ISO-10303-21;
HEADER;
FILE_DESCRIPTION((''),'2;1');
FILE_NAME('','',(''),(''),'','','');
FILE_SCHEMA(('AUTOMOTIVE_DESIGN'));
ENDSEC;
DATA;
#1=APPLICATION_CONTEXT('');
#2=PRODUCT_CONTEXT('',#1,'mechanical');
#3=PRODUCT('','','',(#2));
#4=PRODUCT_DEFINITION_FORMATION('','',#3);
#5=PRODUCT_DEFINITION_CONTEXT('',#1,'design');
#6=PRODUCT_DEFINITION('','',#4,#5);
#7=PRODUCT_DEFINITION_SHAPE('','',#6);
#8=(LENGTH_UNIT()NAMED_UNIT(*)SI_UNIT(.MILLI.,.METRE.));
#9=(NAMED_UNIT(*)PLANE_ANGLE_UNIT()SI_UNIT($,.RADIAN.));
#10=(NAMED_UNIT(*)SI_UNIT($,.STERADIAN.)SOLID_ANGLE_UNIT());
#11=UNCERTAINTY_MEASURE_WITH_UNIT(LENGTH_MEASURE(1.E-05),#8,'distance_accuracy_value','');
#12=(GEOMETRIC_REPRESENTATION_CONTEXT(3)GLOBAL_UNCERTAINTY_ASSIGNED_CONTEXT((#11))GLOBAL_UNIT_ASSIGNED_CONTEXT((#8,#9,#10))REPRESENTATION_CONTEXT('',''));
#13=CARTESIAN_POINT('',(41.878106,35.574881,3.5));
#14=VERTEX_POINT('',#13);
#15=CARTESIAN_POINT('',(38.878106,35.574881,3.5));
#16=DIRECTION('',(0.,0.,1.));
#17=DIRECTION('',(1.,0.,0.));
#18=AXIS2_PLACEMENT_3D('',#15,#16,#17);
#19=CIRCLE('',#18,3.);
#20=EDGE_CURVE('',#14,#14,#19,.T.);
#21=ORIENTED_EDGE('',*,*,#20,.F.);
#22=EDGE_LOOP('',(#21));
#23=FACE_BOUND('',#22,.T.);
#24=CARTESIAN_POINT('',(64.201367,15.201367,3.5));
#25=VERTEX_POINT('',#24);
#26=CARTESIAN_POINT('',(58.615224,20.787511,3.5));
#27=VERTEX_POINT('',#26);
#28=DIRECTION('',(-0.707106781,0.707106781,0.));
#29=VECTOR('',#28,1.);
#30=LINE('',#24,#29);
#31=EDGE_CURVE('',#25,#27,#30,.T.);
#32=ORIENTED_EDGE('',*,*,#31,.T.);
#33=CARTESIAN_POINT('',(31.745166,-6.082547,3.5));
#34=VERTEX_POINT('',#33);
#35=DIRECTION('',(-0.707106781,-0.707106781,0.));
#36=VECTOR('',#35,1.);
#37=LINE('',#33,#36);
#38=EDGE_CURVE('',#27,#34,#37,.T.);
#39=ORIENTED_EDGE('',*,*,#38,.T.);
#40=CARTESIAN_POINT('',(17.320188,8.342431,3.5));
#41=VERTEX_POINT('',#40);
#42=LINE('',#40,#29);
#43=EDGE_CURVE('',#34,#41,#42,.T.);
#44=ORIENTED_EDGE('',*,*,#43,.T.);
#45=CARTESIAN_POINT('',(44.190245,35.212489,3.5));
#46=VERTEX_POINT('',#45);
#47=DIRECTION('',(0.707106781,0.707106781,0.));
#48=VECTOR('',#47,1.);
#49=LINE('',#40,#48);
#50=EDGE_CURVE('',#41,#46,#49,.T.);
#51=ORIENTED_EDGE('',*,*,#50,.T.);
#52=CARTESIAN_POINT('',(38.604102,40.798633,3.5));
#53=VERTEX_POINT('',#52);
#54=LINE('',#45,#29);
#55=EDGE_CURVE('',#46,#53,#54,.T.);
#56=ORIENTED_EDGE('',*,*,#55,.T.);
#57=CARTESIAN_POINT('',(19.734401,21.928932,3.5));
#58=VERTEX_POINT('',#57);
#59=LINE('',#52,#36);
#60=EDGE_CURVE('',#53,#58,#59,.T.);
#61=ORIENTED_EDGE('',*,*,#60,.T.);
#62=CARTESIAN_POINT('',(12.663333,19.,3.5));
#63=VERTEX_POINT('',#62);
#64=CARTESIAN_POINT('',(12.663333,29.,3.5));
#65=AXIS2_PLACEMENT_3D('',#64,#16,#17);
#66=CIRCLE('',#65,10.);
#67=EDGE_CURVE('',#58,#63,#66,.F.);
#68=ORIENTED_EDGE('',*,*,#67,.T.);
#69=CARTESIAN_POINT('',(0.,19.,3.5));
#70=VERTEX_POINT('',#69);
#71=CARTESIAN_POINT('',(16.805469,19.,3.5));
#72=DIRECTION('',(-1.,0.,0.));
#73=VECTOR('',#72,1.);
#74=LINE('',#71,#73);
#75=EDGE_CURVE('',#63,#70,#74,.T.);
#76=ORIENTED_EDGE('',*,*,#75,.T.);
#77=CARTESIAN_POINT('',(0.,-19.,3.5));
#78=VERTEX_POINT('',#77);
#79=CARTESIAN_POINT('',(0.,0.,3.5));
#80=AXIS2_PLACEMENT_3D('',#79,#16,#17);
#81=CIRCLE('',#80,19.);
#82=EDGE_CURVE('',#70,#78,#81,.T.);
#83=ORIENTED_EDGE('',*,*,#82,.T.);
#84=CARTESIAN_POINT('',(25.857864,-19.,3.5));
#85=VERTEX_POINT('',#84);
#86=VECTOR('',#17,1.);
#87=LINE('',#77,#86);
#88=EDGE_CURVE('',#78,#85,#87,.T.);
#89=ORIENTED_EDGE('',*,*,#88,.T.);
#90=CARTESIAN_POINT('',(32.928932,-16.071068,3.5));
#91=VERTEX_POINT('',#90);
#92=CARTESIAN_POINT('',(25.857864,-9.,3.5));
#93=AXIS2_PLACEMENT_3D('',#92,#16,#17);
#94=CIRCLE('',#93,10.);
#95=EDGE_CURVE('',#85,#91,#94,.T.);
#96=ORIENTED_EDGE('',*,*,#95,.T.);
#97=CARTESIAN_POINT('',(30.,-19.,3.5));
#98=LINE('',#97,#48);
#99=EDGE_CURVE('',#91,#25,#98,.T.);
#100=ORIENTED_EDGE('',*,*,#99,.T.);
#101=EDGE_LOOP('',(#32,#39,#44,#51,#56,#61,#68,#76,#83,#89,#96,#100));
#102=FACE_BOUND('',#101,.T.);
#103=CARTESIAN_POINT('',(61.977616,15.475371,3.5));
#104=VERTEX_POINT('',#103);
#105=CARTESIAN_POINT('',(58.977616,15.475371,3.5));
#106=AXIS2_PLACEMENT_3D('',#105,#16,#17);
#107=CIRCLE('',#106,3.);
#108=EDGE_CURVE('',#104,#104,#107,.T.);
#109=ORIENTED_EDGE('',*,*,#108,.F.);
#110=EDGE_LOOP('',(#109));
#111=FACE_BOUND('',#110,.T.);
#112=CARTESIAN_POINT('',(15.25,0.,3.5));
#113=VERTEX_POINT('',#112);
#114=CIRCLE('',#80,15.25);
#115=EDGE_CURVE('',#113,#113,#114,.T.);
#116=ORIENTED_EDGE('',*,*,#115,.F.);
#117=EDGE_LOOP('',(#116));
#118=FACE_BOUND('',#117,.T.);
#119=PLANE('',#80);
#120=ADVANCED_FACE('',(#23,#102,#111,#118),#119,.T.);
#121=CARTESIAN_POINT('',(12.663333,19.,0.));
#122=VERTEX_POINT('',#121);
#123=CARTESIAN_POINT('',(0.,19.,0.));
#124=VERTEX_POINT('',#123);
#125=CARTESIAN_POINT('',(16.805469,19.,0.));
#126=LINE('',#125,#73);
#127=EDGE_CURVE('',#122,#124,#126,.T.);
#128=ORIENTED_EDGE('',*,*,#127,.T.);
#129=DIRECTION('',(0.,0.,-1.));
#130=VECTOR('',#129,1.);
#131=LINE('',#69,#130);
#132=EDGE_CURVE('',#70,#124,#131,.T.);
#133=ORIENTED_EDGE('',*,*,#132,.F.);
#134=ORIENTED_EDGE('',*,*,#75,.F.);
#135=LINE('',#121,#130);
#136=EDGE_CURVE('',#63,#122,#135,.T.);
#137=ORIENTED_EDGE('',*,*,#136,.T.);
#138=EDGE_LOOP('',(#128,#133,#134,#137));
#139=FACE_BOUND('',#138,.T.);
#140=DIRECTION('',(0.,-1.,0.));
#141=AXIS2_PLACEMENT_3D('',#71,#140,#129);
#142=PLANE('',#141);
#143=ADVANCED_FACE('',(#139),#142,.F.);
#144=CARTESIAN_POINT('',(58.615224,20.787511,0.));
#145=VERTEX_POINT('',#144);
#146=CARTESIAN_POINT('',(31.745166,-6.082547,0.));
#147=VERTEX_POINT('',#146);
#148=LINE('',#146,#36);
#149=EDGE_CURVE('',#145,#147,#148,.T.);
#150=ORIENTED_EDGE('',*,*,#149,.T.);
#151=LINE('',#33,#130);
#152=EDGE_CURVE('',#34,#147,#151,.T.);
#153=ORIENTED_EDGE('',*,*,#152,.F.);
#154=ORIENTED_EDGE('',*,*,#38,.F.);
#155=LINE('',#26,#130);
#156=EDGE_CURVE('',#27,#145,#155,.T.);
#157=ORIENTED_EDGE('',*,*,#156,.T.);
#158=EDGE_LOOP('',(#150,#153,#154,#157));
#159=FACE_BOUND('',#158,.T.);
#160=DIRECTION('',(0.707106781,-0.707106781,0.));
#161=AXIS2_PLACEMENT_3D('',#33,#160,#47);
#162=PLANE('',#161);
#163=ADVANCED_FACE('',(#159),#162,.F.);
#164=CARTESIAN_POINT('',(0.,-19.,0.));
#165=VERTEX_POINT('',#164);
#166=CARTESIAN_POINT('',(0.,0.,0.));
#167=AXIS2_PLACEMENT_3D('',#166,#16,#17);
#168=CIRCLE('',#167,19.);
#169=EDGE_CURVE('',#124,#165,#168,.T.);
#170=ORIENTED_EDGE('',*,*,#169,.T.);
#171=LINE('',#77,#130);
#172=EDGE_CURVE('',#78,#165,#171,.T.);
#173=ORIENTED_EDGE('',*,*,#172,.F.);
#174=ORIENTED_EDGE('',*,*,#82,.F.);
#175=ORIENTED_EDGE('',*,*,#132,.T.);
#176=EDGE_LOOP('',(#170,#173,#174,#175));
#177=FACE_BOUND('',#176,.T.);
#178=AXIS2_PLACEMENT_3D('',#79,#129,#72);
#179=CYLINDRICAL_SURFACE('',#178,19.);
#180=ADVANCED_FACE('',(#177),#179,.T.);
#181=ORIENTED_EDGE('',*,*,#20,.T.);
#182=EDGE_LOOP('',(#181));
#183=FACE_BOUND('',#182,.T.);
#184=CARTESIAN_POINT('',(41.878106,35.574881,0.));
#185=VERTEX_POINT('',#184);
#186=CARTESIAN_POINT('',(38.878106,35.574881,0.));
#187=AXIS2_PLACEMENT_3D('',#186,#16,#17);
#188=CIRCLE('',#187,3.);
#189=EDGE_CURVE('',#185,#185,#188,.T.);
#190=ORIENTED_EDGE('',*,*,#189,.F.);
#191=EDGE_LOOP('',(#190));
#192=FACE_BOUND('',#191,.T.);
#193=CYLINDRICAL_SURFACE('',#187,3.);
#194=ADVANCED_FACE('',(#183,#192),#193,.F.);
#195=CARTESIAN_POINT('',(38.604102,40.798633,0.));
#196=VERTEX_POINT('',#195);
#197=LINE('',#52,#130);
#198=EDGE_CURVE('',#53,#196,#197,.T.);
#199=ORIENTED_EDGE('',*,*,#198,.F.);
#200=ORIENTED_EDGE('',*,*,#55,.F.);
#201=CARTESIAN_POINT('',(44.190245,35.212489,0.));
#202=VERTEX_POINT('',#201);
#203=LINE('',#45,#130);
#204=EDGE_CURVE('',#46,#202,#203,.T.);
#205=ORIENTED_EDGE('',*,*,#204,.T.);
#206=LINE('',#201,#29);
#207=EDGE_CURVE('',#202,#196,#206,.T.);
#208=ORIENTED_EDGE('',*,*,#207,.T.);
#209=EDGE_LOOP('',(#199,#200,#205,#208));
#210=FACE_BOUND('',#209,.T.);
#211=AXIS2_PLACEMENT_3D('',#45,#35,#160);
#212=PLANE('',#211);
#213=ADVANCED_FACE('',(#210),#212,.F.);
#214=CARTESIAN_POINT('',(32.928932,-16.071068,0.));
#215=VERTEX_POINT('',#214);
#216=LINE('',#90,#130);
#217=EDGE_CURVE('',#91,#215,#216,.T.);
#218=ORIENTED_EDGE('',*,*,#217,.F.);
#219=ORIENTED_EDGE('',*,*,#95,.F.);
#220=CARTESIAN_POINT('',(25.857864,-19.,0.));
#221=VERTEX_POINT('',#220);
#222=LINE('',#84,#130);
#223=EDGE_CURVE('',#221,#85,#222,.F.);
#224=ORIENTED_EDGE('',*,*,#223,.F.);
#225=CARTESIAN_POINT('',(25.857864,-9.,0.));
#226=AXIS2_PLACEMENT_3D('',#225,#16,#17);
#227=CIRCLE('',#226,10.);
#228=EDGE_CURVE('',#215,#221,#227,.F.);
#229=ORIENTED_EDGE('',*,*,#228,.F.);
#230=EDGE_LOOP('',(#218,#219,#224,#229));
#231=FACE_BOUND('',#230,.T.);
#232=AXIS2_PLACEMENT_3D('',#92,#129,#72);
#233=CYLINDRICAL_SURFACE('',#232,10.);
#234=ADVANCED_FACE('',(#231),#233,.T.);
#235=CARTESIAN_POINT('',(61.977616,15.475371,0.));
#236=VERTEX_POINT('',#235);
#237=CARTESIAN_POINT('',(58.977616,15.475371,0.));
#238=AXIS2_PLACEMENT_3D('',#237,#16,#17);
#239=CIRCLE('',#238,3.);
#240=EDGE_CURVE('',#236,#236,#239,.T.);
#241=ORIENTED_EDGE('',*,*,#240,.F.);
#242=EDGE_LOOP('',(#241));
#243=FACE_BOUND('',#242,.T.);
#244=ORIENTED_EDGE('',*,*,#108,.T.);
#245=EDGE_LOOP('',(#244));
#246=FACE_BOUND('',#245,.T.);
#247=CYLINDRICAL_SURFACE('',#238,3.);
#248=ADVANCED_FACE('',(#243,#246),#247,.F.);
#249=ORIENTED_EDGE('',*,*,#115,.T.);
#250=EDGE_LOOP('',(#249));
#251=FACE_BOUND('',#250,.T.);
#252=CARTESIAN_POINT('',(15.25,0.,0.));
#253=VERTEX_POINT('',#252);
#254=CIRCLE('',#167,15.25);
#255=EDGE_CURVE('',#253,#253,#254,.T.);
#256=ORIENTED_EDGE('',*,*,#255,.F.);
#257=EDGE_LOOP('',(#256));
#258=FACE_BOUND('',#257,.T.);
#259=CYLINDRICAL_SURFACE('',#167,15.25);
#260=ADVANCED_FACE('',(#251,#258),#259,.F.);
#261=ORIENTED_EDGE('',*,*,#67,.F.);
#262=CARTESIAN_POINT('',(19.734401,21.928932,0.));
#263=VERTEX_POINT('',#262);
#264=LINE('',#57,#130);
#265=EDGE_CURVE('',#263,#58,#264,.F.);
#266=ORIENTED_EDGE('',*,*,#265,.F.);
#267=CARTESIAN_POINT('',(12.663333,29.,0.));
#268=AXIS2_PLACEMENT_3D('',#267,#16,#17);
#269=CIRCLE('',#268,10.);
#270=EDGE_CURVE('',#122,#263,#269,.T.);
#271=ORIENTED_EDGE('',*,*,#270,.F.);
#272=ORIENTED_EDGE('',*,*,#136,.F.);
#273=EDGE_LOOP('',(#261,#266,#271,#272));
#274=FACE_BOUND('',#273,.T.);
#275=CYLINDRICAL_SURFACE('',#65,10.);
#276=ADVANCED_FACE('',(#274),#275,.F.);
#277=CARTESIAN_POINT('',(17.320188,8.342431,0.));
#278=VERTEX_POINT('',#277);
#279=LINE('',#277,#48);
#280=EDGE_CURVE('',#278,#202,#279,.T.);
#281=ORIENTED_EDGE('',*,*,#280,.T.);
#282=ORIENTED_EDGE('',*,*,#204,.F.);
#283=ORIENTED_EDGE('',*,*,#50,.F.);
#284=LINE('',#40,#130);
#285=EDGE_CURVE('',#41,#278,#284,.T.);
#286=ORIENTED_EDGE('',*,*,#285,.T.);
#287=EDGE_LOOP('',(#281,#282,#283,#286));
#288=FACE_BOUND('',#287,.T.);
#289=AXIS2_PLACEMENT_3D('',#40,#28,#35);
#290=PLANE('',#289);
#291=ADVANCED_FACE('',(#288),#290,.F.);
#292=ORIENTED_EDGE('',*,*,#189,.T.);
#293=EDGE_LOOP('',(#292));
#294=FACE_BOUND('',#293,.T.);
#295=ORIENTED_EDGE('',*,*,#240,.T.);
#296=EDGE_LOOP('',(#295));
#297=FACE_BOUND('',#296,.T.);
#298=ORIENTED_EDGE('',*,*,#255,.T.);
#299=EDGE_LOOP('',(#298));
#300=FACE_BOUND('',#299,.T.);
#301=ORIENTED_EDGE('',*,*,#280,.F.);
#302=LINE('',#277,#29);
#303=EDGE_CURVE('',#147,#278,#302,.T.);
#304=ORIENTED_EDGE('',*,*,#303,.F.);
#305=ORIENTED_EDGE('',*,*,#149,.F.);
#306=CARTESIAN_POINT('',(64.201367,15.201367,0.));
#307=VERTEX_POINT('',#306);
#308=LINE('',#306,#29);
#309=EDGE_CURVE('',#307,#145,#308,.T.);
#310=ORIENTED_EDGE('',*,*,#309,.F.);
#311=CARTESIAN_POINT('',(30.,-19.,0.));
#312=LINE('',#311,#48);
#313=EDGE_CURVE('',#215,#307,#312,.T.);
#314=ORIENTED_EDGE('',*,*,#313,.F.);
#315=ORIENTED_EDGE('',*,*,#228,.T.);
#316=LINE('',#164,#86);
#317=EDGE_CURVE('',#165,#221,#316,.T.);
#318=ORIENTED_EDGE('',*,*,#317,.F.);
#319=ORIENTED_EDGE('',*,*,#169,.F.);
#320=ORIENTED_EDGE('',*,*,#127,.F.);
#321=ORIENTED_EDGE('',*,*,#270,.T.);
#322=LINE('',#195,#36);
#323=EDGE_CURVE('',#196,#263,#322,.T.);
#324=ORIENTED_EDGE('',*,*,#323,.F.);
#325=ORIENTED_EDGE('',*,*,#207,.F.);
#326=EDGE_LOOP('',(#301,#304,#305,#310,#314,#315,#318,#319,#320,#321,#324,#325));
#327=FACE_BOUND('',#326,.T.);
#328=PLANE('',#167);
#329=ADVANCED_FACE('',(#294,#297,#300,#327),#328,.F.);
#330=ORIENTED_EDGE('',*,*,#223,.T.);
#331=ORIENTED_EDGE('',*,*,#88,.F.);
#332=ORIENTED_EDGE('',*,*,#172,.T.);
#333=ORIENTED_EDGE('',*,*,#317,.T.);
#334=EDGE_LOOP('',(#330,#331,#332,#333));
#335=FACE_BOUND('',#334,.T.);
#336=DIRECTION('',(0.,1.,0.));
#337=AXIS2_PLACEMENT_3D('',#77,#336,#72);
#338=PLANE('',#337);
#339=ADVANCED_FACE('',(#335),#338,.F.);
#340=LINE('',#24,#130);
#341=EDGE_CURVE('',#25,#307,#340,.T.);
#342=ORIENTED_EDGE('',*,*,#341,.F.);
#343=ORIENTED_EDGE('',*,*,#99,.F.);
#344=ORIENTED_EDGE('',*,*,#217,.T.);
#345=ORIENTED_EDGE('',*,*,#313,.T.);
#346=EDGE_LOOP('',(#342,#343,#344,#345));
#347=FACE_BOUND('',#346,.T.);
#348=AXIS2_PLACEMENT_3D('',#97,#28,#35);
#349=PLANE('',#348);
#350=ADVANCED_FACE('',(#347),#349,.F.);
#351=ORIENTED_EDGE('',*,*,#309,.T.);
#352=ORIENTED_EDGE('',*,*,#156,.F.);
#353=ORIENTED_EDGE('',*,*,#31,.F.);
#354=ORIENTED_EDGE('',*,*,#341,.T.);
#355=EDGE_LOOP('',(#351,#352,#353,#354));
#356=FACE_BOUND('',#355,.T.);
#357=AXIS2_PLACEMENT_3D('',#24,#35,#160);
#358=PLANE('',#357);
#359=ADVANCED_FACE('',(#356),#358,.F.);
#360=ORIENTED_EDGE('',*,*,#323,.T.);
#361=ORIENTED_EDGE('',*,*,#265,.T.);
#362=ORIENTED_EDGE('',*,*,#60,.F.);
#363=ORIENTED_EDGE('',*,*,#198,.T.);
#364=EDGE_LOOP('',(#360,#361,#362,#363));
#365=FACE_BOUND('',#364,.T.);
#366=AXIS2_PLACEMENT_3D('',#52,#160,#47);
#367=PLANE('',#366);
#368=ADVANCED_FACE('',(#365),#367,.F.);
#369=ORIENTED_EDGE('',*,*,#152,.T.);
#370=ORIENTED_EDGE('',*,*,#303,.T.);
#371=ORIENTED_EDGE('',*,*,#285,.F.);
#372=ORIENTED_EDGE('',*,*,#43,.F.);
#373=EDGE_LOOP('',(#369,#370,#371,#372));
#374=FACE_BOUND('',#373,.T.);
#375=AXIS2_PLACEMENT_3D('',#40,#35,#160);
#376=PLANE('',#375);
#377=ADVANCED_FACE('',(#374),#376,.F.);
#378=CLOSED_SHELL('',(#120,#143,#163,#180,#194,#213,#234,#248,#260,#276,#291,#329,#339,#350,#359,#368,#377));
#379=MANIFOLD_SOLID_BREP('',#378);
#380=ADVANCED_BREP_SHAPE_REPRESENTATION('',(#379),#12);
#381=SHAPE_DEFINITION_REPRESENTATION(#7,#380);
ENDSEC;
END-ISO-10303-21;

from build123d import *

# Parameters (mm, degrees)
SKETCH1_R           = 2.5
BOSS_EXTRUDE1_DEPTH = 3.5
SKETCH2_R           = 1.5
CUT_EXTRUDE1_DEPTH  = 77.148499601
FILLET1_R           = 10
SKETCH5_R           = 15.25
SKETCH5_R_2         = 3
CUT_EXTRUDE4_DEPTH  = 77.148499601


with BuildPart() as part:
    # Sketch1 → Boss-Extrude1 (new body)
    with BuildSketch(Plane.XY):
        with BuildLine():
            Line((0, -19), (30, -19))
            Line((30, -19), (64.201367261, 15.201367261))
            Line((64.201367261, 15.201367261), (58.615223689, 20.787510832))
            Line((58.615223689, 20.787510832), (31.745166004, -6.082546853))
            Line((31.745166004, -6.082546853), (17.320187668, 8.342431483))
            Line((17.320187668, 8.342431483), (44.190245353, 35.212489168))
            Line((44.190245353, 35.212489168), (38.604101782, 40.798632739))
            Line((38.604101782, 40.798632739), (16.805469042, 19))
            Line((16.805469042, 19), (0, 19))
            ThreePointArc((0, 19), (-19, 0), (0, -19))
        make_face()
        Circle(SKETCH1_R, mode=Mode.SUBTRACT)
    extrude(amount=BOSS_EXTRUDE1_DEPTH)

    # Sketch2 → Cut-Extrude1 (cut, through all)
    with BuildSketch(Plane.XY.offset(3.5)):
        with Locations((38.878105659, 35.574881393)):
            Circle(SKETCH2_R)
        with Locations((58.977615915, 15.475371138)):
            Circle(SKETCH2_R)
    extrude(amount=-CUT_EXTRUDE1_DEPTH, mode=Mode.SUBTRACT)

    # Fillet1
    fillet1_edges = [part.edges().sort_by_distance(p)[0] for p in [
        (30, -19, 1.75),
        (16.805469042, 19, 1.75),
    ]]
    fillet(fillet1_edges, radius=FILLET1_R)

    # Sketch5 → Cut-Extrude4 (cut, through all)
    with BuildSketch(Plane.XY.offset(3.5)):
        Circle(SKETCH5_R)
        with Locations((38.878105659, 35.574881393)):
            Circle(SKETCH5_R_2)
        with Locations((58.977615915, 15.475371138)):
            Circle(SKETCH5_R_2)
    extrude(amount=-CUT_EXTRUDE4_DEPTH, mode=Mode.SUBTRACT)


solid = part.part
